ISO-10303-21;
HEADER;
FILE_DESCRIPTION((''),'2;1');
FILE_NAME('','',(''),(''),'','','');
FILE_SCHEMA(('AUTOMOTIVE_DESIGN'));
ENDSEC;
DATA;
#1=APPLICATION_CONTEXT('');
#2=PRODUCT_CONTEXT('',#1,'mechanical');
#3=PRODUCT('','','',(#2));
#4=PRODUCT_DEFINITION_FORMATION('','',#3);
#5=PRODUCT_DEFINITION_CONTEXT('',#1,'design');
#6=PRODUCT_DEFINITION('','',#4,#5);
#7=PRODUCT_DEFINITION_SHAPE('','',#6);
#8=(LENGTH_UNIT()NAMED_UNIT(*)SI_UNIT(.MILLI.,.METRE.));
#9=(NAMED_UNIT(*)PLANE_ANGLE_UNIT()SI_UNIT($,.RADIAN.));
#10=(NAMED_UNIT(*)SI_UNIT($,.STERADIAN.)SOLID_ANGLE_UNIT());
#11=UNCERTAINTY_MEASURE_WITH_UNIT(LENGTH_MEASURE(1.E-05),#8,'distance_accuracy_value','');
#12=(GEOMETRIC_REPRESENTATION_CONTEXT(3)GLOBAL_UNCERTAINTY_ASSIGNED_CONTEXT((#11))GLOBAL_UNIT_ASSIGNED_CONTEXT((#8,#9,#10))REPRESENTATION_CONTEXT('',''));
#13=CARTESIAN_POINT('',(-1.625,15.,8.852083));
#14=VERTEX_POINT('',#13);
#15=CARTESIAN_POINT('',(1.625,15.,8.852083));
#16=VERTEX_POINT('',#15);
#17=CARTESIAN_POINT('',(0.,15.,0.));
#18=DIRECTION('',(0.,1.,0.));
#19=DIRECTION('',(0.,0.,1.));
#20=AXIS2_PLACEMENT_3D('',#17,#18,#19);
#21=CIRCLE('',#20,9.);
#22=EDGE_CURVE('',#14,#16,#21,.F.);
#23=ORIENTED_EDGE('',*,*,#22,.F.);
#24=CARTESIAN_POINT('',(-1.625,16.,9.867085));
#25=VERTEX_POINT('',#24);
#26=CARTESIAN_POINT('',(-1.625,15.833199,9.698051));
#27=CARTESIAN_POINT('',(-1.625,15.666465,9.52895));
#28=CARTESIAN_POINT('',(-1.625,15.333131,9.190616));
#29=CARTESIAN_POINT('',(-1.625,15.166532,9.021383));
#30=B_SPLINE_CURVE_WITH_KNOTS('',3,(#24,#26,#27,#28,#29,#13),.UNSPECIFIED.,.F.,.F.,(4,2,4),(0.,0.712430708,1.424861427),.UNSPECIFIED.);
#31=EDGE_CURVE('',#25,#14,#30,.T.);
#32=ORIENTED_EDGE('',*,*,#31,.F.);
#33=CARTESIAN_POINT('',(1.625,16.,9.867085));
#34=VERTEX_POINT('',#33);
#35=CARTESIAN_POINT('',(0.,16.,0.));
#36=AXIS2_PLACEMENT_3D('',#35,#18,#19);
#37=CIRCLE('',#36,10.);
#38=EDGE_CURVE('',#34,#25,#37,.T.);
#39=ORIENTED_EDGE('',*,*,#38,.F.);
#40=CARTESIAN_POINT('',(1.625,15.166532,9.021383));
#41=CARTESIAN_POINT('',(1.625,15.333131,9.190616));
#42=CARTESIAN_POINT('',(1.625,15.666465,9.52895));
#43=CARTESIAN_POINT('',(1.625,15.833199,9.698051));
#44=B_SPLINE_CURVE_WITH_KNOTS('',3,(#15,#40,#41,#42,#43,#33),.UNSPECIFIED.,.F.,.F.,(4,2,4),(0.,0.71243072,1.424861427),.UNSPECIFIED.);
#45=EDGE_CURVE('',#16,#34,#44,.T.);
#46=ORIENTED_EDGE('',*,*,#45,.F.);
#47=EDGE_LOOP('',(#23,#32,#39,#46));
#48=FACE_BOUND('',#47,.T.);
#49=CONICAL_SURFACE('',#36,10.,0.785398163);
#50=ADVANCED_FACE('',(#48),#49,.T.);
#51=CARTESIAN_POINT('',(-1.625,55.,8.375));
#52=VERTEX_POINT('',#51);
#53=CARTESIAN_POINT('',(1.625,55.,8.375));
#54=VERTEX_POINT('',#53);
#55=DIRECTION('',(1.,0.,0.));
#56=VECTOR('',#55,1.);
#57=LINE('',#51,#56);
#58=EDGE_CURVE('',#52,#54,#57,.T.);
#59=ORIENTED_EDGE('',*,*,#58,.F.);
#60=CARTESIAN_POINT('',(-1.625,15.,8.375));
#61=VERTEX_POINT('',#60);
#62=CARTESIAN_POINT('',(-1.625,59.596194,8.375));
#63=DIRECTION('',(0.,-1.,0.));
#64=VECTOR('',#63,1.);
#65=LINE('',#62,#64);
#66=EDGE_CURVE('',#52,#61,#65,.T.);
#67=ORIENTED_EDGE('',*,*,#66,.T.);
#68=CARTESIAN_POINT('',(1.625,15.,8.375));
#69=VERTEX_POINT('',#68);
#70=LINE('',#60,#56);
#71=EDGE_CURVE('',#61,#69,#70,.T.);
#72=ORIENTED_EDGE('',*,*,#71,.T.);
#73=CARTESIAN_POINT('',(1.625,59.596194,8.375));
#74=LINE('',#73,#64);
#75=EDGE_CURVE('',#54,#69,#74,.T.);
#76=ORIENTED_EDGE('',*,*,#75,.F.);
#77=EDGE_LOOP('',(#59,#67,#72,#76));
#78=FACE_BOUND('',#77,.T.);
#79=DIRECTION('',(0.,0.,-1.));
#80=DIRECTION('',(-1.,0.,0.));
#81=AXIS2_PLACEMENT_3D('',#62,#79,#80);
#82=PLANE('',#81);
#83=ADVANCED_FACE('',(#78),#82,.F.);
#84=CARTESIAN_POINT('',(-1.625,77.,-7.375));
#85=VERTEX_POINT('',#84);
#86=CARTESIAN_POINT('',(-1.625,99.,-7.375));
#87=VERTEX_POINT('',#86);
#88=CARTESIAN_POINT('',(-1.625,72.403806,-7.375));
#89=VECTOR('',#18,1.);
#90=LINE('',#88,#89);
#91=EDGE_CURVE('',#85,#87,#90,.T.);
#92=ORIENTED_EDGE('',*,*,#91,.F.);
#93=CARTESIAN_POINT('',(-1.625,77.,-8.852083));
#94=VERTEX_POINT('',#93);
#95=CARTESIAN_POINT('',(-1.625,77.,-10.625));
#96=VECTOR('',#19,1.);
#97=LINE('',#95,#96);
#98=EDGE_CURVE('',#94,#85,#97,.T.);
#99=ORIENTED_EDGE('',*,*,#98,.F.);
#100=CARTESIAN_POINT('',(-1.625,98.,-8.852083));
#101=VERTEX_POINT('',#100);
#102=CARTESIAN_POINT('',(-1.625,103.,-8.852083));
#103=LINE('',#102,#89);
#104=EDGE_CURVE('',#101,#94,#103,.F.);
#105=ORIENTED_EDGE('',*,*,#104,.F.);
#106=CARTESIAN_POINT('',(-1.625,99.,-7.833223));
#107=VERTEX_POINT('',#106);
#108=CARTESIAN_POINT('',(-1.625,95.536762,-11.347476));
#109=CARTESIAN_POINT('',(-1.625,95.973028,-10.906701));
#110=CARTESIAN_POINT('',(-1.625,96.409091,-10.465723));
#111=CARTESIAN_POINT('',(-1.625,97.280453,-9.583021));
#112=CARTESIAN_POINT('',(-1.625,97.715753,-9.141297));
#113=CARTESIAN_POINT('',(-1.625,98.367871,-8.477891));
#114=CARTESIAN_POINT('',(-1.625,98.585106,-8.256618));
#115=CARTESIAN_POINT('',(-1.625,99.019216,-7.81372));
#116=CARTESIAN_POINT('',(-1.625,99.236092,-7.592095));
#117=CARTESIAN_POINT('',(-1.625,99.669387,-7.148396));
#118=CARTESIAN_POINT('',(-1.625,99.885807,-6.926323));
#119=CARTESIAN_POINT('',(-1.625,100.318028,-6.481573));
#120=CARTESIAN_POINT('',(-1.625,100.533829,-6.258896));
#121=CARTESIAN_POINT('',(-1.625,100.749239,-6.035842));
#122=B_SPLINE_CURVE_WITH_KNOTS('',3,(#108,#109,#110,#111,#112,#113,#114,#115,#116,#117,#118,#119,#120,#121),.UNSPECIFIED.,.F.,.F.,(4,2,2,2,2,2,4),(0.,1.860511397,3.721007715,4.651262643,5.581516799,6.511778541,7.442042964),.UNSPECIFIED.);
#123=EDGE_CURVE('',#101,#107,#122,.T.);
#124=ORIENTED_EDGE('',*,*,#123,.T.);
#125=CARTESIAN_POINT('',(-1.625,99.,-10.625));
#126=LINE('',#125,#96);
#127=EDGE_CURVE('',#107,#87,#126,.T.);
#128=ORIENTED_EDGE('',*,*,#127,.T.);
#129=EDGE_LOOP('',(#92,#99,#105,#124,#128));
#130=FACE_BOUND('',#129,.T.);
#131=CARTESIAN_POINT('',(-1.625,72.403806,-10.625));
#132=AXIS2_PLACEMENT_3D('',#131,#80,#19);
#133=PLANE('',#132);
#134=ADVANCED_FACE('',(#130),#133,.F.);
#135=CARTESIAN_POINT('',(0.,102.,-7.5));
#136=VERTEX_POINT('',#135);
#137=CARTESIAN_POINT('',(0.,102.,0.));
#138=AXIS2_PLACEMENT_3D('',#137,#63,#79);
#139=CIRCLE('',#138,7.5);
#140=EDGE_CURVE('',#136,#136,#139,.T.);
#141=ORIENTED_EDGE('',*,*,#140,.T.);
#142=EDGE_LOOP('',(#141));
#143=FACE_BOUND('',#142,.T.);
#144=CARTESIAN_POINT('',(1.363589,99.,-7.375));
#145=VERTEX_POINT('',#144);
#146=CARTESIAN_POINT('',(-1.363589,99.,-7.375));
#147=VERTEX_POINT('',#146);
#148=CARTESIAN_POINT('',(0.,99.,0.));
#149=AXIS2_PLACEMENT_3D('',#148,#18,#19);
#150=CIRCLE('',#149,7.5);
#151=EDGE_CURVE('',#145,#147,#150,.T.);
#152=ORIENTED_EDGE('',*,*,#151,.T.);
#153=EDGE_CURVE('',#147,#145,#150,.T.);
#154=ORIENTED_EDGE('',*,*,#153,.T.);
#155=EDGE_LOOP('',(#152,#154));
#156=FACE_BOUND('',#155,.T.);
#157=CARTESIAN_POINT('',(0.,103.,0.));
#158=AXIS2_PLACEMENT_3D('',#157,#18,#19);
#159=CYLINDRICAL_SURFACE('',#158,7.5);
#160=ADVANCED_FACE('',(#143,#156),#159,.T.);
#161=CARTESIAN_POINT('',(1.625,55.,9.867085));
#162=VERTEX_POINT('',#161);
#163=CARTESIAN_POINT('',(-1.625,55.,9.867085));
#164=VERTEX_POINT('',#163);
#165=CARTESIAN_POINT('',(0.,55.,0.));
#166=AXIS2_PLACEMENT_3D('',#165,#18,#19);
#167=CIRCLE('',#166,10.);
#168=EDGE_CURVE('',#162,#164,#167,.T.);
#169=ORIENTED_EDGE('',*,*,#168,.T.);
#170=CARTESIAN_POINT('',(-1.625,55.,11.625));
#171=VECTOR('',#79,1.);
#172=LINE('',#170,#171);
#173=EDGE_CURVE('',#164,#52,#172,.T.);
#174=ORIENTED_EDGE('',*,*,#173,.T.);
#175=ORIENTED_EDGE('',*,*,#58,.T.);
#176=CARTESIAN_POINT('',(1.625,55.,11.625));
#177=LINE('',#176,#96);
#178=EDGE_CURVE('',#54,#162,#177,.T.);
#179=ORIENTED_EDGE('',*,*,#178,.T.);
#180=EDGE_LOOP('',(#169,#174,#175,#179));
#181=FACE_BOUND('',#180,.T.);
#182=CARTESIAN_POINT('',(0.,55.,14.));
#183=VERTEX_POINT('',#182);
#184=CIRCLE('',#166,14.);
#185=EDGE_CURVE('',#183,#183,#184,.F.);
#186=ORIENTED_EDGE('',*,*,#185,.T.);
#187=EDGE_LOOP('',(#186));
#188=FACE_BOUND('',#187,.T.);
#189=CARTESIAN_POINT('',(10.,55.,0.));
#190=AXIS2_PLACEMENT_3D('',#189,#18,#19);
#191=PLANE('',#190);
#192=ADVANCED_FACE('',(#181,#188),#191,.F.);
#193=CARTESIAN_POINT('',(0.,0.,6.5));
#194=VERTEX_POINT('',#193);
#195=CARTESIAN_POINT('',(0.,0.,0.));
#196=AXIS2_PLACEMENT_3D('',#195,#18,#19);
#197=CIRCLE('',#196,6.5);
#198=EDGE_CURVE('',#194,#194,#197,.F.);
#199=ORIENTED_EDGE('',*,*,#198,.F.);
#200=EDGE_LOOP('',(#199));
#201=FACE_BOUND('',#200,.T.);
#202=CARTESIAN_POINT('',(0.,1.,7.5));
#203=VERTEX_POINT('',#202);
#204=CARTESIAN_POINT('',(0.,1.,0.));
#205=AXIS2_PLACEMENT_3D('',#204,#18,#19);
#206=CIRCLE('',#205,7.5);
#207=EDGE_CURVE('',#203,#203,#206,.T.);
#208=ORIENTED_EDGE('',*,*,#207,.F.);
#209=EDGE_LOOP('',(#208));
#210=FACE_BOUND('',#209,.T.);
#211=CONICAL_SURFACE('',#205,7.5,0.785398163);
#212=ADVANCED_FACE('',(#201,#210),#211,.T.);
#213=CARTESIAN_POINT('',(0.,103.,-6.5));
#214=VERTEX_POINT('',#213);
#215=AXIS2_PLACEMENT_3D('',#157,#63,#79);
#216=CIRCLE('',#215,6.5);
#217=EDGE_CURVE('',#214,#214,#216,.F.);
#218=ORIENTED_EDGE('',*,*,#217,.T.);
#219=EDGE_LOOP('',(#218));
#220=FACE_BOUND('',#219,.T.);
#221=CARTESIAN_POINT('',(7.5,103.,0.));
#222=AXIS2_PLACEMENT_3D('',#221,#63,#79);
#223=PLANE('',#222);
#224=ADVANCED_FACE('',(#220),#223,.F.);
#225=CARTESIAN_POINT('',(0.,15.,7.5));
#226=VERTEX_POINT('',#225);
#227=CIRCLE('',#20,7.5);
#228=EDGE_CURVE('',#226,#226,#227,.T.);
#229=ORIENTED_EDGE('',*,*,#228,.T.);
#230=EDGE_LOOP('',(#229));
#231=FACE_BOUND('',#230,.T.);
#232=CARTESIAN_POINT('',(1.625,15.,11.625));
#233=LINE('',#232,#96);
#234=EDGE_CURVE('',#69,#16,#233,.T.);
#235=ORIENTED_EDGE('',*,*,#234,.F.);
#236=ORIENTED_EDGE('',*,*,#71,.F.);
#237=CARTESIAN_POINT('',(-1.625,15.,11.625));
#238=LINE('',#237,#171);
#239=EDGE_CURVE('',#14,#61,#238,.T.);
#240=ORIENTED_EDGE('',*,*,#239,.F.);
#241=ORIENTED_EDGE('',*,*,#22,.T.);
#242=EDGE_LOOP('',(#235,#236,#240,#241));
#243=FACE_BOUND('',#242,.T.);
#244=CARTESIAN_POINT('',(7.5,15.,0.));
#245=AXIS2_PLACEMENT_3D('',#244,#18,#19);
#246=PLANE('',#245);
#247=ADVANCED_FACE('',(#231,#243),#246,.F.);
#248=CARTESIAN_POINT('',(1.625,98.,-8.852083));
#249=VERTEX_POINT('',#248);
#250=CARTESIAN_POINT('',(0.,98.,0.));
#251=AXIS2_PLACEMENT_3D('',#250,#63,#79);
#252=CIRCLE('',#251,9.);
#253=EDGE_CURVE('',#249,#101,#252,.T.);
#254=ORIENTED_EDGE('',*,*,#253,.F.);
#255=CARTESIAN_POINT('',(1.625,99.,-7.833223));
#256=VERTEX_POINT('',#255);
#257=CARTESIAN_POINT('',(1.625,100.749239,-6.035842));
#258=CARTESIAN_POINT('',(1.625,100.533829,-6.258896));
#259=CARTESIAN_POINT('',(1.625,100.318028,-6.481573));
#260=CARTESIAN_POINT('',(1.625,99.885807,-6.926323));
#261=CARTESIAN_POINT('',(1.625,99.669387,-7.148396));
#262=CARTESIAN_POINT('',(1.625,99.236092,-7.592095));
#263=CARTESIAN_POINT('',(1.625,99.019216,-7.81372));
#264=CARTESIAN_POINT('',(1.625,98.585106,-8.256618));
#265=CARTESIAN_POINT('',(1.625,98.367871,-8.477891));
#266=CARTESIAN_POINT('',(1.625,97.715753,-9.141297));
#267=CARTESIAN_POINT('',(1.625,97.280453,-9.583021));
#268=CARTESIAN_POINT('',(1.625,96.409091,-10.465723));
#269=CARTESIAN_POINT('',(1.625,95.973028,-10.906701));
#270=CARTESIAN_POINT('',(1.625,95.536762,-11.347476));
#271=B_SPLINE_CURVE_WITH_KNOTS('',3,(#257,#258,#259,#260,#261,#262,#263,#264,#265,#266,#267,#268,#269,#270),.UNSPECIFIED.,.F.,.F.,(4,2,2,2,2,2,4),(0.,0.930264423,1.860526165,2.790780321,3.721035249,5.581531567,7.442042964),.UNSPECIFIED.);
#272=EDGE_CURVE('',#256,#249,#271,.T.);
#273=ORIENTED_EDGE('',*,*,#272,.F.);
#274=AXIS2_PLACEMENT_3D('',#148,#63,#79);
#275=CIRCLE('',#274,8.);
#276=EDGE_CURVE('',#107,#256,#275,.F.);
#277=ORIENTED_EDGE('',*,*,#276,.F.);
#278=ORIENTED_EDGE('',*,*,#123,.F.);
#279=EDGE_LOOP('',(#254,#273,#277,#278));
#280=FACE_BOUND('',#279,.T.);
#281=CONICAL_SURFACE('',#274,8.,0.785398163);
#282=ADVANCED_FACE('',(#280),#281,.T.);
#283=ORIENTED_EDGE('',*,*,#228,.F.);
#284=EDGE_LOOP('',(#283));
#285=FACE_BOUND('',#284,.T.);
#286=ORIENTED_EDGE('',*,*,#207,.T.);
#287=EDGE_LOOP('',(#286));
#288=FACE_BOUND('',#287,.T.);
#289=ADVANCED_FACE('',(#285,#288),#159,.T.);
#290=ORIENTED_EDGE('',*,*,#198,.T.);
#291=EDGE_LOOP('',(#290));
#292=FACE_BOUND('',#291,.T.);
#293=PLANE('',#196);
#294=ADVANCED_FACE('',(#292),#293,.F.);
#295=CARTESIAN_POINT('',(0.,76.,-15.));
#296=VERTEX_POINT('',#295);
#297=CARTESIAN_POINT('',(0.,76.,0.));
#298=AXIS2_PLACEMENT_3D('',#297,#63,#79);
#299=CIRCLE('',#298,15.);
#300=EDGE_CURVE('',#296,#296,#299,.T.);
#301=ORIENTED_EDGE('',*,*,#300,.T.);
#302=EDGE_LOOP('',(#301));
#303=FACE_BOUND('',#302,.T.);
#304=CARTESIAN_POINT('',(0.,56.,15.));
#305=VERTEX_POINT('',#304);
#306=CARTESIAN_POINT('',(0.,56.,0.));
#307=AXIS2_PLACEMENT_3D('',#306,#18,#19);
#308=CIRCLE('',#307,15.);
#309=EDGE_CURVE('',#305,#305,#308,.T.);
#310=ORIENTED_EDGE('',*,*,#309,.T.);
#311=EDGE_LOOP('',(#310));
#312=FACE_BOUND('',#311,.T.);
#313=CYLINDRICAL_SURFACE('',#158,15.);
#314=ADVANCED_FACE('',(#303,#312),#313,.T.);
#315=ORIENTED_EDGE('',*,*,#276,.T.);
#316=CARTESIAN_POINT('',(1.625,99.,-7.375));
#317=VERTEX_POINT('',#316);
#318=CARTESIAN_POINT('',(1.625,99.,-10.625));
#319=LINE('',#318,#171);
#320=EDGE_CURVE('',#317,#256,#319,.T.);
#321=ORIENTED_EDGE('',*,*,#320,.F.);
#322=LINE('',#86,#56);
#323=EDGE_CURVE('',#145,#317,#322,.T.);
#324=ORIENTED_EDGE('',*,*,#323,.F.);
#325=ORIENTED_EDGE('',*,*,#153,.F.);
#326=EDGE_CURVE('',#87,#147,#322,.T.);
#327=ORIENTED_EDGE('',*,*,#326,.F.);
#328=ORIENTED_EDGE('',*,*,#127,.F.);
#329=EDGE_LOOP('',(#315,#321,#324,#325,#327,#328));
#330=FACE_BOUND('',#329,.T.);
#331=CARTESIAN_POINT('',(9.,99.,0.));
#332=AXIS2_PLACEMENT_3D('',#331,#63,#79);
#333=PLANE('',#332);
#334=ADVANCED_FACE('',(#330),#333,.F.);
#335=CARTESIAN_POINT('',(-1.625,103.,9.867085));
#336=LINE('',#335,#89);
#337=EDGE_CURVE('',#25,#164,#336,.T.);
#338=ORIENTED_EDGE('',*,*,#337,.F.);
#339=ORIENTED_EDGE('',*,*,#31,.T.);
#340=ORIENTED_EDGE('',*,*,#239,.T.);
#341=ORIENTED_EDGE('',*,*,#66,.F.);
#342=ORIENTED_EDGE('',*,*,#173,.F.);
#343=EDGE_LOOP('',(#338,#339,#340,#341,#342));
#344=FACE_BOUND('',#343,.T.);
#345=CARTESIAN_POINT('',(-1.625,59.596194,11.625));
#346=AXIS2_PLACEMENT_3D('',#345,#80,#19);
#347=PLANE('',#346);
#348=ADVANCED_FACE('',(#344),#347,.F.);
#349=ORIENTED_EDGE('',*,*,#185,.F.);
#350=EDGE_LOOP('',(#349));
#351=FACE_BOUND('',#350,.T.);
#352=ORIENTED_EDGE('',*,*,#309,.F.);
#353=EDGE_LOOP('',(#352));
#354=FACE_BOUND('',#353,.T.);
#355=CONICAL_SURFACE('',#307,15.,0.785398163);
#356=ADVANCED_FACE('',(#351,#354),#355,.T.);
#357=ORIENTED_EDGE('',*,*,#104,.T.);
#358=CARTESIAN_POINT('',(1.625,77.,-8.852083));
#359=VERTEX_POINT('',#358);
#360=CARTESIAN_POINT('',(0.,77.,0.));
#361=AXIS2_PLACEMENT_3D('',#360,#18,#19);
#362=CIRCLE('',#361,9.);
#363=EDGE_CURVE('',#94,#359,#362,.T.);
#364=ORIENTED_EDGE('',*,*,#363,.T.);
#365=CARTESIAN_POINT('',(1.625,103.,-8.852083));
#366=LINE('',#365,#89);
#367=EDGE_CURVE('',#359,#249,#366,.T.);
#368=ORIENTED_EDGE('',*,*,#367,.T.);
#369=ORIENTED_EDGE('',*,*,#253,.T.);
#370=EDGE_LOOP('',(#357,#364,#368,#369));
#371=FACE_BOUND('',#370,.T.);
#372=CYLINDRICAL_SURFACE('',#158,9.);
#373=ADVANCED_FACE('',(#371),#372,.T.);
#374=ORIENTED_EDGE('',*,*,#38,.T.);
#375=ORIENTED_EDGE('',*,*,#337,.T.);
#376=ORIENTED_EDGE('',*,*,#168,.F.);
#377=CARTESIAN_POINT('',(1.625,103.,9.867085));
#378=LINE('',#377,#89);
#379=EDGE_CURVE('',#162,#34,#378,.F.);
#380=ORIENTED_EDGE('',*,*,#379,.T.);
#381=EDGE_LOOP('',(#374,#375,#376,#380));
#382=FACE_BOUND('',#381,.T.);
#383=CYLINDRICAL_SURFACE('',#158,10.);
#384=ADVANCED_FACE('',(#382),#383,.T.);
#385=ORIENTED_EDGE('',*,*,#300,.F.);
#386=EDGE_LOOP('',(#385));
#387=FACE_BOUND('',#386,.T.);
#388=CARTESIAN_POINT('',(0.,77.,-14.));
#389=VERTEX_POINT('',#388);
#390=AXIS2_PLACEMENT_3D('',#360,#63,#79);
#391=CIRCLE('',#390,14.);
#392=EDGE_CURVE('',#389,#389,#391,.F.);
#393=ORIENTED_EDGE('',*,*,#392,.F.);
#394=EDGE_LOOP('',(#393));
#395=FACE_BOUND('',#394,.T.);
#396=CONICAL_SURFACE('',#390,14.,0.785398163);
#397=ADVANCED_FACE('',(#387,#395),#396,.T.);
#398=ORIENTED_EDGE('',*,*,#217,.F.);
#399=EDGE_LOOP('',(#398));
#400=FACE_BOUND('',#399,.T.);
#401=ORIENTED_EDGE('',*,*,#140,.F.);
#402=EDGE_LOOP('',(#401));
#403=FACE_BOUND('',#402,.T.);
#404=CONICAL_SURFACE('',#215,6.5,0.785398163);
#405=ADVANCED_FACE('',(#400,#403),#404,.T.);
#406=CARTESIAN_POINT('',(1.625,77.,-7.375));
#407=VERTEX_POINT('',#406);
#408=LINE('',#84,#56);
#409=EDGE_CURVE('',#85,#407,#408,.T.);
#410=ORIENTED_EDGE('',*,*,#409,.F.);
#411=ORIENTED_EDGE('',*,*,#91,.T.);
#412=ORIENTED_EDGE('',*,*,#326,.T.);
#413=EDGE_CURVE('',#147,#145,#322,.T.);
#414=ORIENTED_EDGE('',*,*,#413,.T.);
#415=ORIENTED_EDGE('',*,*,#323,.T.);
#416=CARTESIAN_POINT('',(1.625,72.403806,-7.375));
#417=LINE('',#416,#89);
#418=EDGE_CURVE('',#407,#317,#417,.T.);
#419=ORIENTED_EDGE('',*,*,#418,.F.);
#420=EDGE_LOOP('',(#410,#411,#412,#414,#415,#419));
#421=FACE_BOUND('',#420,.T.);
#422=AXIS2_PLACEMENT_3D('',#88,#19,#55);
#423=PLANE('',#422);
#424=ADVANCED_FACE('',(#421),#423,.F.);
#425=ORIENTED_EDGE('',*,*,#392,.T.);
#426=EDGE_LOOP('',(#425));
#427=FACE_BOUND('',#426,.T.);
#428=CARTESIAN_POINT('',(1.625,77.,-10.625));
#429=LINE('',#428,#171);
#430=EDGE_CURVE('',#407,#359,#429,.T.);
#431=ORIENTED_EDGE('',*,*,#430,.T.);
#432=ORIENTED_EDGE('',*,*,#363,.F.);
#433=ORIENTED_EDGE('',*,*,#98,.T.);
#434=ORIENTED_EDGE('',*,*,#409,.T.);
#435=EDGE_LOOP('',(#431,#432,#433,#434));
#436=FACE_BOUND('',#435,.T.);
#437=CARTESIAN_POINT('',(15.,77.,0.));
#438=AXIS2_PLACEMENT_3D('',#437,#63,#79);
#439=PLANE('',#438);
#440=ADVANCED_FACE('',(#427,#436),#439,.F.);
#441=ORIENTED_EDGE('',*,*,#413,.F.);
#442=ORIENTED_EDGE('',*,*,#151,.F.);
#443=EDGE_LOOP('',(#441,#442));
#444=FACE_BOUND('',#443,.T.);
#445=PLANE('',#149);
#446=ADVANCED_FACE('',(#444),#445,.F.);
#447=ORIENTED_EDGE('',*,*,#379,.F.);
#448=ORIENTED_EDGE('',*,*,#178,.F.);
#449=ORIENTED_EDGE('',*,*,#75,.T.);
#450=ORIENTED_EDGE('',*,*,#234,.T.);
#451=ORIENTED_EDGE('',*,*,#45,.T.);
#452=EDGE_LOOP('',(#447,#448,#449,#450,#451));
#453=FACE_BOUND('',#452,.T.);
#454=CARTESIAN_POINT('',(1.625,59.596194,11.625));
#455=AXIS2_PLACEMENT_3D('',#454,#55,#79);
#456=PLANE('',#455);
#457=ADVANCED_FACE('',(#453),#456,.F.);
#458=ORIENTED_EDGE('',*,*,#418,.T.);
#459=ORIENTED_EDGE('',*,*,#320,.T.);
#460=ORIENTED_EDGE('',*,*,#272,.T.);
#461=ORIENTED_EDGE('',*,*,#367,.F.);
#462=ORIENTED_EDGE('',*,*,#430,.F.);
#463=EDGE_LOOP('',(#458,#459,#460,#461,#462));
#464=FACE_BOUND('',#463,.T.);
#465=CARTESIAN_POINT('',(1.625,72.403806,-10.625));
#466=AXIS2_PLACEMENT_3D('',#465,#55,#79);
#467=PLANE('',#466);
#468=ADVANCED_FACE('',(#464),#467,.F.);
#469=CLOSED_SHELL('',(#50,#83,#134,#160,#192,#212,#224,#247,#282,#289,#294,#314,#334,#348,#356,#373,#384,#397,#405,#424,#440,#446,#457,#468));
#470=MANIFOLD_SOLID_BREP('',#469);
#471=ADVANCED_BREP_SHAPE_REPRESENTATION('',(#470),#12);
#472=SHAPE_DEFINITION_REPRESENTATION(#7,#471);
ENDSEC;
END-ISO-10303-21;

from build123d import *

# Parameters (mm, degrees)
SKETCH2_W          = 3.25
SKETCH2_H          = 3.25
CUT_EXTRUDE1_DEPTH = 40
CHAMFER1_SIZE      = 1
SKETCH3_W          = 3.25
SKETCH3_H          = 3.25
CUT_EXTRUDE2_DEPTH = 22


with BuildPart() as part:
    # Sketch1 → Revolve1 (revolve)
    with BuildSketch(Plane.XY, mode=Mode.PRIVATE) as revolve1_sk:
        Polygon((0, 0), (7.5, 0), (7.5, 15), (10, 15), (10, 55), (15, 55), (15, 77), (9, 77), (9, 99), (7.5, 99), (7.5, 103), (0, 103), align=None)
    revolve(revolve1_sk.sketch.rotate(Axis((0, 103, 0), (0, -1, 0)), 90), axis=Axis((0, 103, 0), (0, -1, 0)))

    # Sketch2 → Cut-Extrude1 (cut)
    with BuildSketch(Plane.XZ.offset(-15)):
        with Locations((0, 10)):
            Rectangle(SKETCH2_W, SKETCH2_H)
    extrude(amount=-CUT_EXTRUDE1_DEPTH, mode=Mode.SUBTRACT)

    # Chamfer1
    chamfer1_edges = [part.edges().sort_by_distance(p)[0] for p in [
        (0, 77, -15),
        (0, 55, -15),
        (0, 15, -10),
        (0, 0, -7.5),
        (0, 103, -7.5),
        (0, 99, -9),
    ]]
    chamfer(chamfer1_edges, length=CHAMFER1_SIZE)

    # Sketch3 → Cut-Extrude2 (cut)
    with BuildSketch(Plane(origin=(0, 99, 0), x_dir=(1, 0, 0), z_dir=(0, 1, 0))):
        with Locations((0, 9)):
            Rectangle(SKETCH3_W, SKETCH3_H)
    extrude(amount=-CUT_EXTRUDE2_DEPTH, mode=Mode.SUBTRACT)


solid = part.part
